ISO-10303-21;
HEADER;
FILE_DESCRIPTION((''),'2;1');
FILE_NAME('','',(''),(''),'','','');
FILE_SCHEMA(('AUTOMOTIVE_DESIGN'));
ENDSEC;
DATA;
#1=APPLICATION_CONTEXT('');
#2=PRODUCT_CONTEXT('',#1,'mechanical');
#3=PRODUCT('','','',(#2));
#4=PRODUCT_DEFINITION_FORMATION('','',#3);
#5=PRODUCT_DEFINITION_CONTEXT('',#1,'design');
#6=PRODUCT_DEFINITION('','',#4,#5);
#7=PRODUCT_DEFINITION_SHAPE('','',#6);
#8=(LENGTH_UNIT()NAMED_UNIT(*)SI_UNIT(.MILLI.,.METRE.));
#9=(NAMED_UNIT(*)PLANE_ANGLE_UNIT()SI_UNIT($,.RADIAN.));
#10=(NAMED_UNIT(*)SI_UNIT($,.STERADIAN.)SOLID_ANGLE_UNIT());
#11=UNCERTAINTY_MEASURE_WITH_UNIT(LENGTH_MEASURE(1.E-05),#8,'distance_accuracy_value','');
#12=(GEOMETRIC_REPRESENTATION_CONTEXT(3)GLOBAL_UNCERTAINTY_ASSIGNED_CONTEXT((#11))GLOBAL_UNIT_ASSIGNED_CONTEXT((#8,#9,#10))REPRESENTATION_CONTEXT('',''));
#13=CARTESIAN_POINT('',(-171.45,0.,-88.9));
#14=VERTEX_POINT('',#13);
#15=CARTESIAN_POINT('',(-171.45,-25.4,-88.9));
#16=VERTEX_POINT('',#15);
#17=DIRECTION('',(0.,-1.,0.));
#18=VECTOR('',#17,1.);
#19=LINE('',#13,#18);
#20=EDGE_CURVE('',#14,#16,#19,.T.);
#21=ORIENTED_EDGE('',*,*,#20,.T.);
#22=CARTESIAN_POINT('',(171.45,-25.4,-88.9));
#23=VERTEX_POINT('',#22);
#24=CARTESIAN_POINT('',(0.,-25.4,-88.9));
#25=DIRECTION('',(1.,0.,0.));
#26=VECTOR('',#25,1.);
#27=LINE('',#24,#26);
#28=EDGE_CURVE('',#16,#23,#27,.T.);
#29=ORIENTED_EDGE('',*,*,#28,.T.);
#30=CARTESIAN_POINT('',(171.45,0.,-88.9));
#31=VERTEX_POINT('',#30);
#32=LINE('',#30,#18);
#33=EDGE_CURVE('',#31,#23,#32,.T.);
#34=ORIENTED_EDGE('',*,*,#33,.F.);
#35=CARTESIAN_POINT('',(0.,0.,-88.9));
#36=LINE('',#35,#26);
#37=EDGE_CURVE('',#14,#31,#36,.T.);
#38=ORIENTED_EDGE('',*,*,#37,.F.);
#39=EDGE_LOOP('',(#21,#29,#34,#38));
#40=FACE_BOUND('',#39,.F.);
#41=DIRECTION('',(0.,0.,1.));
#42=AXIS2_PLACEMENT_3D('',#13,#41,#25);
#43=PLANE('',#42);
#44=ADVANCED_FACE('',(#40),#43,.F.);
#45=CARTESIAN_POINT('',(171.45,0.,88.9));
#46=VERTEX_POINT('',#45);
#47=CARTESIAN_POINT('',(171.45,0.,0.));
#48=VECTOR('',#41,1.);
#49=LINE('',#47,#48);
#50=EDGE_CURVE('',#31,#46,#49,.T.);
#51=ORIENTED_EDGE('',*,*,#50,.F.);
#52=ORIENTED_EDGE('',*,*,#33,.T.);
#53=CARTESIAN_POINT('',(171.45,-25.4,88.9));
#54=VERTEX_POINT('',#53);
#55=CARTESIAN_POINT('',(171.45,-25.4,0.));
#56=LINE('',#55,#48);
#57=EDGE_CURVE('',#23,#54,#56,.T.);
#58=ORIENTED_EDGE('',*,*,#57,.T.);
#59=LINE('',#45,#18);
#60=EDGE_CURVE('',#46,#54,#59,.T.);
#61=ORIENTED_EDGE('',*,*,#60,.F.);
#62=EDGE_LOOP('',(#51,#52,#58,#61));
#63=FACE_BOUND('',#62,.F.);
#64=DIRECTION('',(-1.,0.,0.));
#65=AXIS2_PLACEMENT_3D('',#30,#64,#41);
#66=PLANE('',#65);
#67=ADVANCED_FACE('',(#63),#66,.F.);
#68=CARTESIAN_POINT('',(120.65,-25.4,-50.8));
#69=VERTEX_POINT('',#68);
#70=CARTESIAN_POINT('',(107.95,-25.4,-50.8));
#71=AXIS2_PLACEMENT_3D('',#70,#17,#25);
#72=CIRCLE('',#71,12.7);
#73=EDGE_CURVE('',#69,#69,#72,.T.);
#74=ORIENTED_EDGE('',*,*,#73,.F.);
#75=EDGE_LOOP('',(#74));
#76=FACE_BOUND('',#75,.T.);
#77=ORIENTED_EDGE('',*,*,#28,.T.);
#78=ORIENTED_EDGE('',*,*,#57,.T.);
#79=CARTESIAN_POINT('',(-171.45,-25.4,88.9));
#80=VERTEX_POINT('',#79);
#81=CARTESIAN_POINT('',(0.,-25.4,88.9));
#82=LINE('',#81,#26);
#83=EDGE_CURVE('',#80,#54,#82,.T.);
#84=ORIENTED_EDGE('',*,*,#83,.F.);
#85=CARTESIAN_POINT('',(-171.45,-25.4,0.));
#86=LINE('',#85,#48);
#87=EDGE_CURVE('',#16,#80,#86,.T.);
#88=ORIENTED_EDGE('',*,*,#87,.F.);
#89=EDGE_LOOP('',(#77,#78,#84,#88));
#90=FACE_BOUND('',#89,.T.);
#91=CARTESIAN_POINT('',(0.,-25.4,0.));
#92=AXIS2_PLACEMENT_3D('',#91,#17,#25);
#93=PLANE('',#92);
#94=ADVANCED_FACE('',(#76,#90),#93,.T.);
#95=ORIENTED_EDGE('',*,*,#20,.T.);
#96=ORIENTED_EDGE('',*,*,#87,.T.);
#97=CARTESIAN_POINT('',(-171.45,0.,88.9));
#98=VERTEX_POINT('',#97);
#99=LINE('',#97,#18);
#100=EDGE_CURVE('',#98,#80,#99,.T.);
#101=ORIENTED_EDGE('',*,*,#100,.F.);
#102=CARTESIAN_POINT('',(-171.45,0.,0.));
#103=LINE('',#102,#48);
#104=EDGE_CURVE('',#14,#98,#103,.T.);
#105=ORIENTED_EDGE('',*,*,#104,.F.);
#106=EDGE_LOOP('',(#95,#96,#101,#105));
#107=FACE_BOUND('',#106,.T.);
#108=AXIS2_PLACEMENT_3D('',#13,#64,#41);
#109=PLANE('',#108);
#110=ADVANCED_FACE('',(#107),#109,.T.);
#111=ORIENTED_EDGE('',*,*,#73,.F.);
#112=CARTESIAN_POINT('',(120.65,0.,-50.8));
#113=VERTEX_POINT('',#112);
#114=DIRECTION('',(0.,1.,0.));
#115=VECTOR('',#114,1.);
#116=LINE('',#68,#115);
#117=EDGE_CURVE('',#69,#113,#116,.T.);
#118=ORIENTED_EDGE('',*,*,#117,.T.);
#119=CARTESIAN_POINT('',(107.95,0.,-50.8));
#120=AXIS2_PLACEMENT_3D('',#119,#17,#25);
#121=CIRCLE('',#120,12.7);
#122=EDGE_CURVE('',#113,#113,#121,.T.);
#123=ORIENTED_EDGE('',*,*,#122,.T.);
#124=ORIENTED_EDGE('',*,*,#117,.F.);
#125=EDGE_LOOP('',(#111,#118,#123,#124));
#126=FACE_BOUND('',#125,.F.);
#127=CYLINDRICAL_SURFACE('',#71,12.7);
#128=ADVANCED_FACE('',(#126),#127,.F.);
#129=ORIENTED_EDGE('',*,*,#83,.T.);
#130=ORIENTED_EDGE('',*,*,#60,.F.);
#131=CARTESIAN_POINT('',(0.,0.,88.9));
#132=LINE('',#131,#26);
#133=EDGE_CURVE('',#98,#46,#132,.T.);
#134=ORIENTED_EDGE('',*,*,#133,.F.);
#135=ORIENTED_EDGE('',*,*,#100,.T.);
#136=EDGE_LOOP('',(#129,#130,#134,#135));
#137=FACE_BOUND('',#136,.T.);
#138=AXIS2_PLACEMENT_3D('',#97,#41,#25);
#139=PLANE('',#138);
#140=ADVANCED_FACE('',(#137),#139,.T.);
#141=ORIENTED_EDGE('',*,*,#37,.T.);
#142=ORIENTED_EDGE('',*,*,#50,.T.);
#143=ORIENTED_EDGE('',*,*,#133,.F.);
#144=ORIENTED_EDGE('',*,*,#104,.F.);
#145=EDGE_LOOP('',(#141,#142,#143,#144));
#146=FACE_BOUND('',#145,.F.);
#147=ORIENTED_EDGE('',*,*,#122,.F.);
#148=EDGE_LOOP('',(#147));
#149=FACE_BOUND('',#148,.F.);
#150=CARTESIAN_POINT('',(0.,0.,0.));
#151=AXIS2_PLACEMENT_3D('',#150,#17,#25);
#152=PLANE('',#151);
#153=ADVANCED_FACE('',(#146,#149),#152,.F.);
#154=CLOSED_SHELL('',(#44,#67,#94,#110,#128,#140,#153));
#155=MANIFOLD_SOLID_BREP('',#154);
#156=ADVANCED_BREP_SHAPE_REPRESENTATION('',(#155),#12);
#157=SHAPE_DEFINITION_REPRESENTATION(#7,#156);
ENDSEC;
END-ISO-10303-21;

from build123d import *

# Parameters (mm, degrees)
F0_W     = 342.9
F0_H     = 177.8
F1_DEPTH = 25.4
F2_R     = 12.7
F3_DEPTH = 25.4


with BuildPart() as f1:
    # F0 (on Front) → F1 (new body)
    with BuildSketch(Plane.XZ):
        Rectangle(F0_W, F0_H)
    extrude(amount=F1_DEPTH)

    # F2 (on face) → F3 (cut)
    with BuildSketch(Plane.XZ.offset(25.4)):
        with Locations((107.95, -50.8)):
            Circle(F2_R)
    extrude(amount=-F3_DEPTH, mode=Mode.SUBTRACT)


solid = f1.part
